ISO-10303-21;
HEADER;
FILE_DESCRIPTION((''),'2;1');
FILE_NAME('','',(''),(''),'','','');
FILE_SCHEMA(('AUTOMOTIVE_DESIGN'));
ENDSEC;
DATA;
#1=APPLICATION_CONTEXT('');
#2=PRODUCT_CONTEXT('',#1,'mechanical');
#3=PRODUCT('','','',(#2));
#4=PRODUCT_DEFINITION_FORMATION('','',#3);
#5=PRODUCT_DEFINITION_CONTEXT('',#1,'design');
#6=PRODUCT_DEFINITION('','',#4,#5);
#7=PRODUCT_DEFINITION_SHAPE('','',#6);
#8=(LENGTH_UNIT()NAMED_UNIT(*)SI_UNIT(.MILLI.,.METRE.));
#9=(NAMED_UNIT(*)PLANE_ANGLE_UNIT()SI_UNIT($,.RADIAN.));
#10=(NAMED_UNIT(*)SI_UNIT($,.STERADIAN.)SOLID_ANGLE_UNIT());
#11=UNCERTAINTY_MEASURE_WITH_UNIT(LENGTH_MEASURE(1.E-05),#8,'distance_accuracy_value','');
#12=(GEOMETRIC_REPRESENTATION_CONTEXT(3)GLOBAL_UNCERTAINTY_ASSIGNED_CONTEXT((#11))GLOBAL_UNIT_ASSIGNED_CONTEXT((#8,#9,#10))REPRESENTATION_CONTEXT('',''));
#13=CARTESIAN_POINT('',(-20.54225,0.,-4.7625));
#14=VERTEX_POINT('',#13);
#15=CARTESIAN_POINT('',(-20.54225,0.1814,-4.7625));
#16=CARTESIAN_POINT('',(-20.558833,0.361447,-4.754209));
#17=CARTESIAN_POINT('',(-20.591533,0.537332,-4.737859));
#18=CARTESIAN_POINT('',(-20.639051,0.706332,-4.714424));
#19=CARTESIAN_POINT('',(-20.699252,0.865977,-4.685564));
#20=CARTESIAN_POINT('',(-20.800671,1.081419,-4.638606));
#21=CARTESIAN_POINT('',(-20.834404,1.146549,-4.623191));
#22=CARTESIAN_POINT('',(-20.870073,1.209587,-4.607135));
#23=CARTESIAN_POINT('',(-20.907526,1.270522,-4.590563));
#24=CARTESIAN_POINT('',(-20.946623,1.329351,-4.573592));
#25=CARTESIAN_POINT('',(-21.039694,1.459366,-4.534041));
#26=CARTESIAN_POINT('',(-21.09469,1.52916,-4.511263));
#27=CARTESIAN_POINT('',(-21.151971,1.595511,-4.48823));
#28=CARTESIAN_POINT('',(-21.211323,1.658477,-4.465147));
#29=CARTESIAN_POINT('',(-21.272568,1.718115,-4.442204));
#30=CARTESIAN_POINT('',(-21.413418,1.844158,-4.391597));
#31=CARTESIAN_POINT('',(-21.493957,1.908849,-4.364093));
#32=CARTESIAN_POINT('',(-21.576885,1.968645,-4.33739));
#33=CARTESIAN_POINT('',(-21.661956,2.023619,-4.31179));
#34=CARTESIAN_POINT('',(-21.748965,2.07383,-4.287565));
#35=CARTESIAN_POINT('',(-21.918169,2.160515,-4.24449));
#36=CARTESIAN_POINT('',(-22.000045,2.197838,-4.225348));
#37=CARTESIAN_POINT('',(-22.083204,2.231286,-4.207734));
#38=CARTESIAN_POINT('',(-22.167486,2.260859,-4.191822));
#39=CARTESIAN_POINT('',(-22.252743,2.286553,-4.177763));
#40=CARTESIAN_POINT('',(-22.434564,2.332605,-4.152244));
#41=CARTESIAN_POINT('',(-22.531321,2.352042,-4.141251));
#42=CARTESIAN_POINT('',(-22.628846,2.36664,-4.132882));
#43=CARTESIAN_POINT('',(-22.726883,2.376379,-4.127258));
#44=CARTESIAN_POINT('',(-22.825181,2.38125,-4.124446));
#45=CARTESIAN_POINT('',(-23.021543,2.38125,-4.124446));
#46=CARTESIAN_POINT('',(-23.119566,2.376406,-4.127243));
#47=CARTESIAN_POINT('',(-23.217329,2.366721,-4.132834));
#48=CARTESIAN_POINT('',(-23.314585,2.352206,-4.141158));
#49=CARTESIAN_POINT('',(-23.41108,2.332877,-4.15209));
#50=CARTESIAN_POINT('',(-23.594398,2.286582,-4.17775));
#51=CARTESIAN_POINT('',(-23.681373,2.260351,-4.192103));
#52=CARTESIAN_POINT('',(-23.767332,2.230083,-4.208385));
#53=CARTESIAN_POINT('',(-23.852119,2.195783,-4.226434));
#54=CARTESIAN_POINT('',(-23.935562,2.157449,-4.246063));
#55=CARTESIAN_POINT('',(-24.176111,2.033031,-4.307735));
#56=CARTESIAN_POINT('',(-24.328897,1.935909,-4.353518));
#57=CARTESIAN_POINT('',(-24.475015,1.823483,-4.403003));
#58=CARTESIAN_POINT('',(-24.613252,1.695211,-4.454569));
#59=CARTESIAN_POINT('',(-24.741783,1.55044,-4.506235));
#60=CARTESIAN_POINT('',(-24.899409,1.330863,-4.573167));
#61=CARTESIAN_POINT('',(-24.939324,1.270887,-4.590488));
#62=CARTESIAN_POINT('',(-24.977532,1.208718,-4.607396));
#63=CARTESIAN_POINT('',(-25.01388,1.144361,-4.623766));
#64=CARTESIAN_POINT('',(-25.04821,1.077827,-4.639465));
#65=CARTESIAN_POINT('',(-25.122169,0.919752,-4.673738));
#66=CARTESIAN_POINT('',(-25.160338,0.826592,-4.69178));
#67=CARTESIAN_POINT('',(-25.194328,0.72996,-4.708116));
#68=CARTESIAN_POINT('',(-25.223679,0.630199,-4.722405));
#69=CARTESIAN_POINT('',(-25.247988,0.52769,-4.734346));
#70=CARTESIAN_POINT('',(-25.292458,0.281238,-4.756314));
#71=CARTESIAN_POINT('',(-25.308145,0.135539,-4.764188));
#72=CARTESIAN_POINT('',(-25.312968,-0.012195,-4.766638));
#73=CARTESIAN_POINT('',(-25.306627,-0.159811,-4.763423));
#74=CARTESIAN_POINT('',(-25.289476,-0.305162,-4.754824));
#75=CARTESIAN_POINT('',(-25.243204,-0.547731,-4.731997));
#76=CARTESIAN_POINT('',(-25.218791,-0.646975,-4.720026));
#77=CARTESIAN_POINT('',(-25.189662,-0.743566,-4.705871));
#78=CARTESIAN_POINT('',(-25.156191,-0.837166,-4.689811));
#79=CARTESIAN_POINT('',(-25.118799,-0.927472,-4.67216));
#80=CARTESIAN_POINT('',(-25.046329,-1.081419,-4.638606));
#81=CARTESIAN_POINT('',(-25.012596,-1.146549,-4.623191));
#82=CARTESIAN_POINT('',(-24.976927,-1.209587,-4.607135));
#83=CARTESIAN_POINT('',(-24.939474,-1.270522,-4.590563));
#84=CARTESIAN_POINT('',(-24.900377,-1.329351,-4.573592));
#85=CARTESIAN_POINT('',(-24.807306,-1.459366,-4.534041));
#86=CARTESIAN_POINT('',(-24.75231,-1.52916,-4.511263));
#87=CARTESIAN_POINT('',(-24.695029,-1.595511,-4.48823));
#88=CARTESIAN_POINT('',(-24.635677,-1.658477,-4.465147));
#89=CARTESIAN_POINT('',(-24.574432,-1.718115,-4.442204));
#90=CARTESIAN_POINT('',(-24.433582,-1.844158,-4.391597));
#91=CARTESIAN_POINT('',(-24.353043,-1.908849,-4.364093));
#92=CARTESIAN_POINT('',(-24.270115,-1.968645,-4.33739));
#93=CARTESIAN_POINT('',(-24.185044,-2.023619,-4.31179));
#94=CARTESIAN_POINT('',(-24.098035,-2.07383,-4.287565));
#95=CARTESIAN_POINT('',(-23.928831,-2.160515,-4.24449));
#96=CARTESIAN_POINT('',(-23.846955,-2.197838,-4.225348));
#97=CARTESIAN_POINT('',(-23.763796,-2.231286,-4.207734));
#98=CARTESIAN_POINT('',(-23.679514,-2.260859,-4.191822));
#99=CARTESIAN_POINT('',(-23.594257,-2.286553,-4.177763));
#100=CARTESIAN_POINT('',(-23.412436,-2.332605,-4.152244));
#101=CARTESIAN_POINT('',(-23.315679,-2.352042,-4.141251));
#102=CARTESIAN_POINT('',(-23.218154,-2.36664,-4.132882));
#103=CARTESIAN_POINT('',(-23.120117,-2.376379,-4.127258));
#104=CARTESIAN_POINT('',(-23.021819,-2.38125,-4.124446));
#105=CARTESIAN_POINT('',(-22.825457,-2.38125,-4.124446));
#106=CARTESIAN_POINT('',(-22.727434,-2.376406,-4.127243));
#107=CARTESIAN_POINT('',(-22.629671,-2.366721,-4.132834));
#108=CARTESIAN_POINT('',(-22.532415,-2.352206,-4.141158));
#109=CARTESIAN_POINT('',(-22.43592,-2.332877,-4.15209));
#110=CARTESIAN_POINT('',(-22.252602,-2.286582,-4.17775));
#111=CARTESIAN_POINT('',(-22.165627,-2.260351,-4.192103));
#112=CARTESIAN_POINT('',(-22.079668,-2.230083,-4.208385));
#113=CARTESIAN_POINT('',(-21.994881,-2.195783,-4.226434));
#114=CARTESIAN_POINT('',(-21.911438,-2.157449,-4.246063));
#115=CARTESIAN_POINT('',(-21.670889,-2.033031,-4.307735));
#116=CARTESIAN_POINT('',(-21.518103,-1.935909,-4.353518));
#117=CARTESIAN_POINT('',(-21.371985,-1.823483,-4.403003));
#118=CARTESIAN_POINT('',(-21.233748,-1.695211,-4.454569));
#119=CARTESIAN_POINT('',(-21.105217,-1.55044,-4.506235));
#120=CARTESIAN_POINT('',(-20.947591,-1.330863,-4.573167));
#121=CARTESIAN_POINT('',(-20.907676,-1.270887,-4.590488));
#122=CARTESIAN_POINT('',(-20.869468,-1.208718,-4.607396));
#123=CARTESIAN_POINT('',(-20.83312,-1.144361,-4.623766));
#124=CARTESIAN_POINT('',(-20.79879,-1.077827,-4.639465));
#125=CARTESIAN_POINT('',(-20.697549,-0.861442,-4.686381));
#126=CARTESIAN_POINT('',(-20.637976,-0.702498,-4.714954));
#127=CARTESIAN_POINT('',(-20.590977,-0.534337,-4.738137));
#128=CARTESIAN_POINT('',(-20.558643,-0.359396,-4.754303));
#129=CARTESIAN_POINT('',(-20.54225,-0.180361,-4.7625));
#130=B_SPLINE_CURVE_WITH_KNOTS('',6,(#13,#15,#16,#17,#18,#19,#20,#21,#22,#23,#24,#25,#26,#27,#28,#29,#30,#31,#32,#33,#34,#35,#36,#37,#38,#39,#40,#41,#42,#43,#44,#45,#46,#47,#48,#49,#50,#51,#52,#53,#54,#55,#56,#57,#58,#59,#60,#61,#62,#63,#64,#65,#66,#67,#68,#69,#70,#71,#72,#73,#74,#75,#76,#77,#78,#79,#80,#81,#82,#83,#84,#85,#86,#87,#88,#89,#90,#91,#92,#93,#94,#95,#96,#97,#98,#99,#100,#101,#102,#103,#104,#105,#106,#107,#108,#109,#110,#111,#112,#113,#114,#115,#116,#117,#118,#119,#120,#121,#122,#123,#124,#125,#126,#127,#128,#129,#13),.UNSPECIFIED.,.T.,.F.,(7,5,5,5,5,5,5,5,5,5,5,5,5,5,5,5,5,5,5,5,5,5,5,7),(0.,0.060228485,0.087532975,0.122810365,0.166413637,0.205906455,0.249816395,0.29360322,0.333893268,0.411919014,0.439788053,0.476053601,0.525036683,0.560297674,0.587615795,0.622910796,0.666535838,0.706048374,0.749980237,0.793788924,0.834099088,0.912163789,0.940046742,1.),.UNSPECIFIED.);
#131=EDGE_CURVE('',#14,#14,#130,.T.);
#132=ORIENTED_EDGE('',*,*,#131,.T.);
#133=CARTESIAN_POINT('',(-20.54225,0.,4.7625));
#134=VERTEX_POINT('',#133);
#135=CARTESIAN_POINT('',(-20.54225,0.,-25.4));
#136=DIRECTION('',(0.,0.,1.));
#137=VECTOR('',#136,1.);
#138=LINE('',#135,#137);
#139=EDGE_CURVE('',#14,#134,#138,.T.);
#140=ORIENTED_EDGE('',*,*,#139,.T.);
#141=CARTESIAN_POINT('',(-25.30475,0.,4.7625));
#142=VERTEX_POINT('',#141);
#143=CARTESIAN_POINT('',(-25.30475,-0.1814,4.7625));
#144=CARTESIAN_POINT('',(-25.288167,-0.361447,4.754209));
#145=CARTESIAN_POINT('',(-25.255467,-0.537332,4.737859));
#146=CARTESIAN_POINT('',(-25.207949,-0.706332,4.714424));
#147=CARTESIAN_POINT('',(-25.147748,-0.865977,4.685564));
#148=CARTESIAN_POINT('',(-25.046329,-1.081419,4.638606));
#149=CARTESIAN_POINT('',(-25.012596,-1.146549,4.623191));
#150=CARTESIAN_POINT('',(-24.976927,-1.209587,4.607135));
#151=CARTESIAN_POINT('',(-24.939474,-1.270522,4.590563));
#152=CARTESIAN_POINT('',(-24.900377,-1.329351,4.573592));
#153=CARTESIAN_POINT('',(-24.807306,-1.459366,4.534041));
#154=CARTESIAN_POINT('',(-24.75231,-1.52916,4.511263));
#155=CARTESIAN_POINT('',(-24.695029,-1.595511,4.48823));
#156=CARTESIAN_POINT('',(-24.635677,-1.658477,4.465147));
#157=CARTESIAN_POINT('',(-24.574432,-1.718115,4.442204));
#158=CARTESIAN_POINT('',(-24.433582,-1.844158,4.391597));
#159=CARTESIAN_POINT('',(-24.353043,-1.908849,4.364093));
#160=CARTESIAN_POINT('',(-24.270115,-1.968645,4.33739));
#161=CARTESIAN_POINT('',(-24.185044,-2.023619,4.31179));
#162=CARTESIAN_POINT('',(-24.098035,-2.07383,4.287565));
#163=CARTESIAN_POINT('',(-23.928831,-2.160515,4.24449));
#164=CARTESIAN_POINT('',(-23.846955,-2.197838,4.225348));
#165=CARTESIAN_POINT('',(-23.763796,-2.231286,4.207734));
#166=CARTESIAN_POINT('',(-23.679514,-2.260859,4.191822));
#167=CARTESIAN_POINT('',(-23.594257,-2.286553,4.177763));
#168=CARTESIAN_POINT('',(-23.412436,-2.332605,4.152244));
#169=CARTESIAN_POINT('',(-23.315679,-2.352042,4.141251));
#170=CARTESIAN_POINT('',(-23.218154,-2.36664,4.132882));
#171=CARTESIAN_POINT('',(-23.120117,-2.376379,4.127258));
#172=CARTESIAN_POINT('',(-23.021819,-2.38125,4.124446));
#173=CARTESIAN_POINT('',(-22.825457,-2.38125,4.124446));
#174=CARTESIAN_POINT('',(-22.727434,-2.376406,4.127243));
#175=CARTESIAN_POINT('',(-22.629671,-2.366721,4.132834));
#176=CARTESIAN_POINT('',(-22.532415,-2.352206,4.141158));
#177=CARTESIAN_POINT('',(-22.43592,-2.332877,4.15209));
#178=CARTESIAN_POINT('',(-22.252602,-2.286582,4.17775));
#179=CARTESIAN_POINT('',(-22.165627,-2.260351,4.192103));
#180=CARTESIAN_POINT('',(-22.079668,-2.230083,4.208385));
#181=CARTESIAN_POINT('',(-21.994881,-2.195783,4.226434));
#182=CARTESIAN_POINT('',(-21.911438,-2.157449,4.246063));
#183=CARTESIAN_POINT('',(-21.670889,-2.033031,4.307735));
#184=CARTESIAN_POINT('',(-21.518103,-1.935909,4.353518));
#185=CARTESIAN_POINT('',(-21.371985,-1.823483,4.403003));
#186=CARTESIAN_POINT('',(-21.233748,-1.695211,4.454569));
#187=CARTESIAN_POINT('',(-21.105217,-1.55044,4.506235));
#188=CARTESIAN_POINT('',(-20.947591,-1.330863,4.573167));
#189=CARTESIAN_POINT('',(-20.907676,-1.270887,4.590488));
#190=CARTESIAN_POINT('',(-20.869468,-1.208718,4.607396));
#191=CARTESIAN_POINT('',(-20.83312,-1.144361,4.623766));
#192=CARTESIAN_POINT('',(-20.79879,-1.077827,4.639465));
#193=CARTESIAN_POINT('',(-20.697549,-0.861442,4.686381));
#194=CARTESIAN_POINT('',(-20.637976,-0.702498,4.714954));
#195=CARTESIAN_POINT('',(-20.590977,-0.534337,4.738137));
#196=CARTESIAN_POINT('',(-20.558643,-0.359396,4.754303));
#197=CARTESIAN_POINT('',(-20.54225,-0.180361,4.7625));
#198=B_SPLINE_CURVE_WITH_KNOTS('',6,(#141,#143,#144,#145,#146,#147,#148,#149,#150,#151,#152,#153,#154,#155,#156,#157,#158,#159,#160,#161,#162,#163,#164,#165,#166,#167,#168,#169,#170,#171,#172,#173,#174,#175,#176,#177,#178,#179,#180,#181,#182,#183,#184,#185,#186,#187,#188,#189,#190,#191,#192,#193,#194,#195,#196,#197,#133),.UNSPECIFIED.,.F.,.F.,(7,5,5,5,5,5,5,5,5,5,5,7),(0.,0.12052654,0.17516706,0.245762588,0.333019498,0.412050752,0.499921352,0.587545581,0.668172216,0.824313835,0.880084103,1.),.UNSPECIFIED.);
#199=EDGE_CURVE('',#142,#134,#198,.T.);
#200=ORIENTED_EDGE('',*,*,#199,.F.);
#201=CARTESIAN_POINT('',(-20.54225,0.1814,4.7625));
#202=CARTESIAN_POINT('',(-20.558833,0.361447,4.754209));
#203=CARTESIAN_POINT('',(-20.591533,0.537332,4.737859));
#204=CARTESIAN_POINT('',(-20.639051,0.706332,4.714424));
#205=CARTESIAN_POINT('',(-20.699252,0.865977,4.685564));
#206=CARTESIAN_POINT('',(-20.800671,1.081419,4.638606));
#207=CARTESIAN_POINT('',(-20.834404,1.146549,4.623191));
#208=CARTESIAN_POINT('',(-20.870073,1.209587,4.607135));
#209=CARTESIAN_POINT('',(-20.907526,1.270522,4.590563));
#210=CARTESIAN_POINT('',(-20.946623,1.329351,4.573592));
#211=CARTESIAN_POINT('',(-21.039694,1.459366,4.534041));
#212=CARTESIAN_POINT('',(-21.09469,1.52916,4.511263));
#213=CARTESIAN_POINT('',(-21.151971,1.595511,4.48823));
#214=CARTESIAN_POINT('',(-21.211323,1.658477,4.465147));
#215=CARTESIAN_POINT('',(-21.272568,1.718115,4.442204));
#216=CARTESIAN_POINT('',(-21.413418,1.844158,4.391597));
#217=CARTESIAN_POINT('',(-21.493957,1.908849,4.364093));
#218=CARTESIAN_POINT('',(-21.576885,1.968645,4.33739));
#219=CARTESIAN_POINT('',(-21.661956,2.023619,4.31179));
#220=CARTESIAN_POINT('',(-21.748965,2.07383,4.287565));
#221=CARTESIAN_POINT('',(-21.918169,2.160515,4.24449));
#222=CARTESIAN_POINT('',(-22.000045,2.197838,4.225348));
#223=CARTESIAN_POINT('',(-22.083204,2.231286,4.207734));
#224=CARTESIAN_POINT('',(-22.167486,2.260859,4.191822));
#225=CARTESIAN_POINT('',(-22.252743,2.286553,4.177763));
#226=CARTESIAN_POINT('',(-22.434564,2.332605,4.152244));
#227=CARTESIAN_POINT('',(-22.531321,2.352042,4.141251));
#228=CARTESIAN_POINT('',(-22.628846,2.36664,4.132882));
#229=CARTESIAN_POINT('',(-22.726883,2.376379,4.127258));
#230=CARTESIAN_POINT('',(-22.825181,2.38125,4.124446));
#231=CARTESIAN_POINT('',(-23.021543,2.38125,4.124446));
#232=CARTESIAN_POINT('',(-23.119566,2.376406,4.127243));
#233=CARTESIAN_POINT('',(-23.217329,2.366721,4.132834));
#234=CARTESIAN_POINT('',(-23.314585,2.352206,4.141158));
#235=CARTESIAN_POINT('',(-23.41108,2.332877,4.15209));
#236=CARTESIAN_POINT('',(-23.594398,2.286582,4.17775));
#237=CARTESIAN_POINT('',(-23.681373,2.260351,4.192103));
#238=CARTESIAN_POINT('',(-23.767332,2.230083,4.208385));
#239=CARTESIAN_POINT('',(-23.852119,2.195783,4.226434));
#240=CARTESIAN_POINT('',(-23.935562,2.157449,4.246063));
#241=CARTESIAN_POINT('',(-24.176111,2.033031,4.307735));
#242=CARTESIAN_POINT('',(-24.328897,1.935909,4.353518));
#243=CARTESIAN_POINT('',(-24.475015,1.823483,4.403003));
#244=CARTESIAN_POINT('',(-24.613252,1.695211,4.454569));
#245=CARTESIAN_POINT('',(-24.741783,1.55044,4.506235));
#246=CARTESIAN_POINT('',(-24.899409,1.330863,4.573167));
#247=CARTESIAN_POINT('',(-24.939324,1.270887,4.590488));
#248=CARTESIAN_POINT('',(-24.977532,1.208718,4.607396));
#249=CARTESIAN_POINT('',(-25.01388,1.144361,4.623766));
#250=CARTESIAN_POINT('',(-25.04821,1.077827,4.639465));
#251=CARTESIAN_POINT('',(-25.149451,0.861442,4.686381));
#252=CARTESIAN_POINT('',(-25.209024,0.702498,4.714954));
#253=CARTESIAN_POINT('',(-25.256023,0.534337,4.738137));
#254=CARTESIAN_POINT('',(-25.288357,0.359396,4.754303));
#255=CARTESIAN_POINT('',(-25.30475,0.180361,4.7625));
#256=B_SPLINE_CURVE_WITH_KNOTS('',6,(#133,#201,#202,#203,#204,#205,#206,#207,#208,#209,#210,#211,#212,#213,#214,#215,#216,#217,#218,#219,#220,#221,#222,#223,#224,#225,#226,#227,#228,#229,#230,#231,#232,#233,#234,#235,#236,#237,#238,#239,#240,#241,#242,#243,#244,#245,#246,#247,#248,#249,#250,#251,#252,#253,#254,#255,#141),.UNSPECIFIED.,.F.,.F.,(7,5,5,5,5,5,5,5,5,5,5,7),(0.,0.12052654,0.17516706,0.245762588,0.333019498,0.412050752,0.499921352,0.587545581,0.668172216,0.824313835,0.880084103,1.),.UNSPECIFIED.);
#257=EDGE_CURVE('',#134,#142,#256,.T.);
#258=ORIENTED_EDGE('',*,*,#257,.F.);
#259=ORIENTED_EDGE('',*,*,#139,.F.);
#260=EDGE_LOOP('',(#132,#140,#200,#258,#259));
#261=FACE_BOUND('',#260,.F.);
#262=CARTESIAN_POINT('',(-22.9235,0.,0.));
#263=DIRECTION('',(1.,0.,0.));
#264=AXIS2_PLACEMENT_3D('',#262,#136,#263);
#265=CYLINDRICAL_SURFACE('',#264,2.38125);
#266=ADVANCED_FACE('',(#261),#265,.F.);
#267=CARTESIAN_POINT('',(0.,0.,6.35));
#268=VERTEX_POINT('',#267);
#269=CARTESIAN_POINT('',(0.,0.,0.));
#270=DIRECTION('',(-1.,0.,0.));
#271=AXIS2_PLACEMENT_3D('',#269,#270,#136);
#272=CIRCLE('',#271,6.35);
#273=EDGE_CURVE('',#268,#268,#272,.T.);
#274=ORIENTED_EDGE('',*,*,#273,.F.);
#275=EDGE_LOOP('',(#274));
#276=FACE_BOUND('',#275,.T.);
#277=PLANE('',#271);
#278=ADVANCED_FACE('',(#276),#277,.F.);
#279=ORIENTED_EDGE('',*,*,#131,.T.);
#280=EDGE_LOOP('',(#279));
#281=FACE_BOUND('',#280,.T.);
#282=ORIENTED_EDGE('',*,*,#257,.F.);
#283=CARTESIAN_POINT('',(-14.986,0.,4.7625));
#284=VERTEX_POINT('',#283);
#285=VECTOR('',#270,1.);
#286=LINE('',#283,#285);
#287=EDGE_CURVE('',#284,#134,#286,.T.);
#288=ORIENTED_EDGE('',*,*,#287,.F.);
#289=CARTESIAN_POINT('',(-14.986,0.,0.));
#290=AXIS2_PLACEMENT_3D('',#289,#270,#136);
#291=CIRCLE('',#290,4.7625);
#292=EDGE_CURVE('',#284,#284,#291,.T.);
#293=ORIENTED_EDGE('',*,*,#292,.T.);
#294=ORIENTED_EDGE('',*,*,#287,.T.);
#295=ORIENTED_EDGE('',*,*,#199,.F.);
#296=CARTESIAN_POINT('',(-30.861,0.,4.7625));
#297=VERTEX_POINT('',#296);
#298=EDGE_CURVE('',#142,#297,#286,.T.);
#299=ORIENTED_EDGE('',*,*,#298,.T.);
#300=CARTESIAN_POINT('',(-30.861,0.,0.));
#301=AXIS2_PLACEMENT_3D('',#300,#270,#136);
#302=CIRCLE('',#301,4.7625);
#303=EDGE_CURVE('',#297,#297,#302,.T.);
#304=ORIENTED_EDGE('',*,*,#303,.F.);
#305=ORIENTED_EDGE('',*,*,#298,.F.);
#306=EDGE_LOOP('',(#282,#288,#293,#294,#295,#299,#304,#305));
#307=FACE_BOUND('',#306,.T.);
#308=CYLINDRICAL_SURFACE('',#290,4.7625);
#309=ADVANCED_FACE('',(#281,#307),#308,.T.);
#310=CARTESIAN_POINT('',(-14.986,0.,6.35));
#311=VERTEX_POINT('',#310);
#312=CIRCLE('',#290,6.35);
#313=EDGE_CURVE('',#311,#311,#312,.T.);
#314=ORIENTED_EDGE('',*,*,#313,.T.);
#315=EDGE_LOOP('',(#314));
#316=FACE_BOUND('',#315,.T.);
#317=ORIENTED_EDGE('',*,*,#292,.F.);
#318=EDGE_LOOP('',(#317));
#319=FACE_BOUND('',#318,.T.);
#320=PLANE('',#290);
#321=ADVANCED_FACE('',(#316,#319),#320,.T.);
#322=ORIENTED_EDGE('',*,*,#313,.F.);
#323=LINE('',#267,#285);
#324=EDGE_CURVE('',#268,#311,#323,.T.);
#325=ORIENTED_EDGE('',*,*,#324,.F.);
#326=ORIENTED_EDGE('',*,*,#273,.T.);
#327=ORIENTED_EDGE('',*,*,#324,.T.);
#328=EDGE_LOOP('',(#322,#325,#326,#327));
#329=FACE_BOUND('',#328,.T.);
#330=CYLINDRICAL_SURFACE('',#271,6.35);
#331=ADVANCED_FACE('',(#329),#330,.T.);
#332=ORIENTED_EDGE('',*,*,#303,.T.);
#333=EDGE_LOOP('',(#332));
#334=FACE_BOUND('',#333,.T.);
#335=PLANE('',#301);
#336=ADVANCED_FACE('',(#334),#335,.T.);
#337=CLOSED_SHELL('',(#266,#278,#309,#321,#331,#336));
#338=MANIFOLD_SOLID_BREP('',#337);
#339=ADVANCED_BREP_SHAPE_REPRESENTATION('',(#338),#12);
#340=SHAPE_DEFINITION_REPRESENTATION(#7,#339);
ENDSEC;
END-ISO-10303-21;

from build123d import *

# Parameters (mm, degrees)
F2_R     = 2.38125
F3_DEPTH = 25.4


with BuildPart() as f1:
    # F0 (on Front) → F1 (revolve)
    with BuildSketch(Plane.XZ):
        Polygon((-30.861, 0), (0, 0), (0, 6.35), (-14.986, 6.35), (-14.986, 4.7625), (-30.861, 4.7625), align=None)
    revolve(axis=Axis((-72.969213, 0, 0), (-1, 0, 0)))

    # F2 (on Top) → F3 (cut, symmetric)
    with BuildSketch(Plane.XY):
        with Locations((-22.9235, 0)):
            Circle(F2_R)
    extrude(amount=F3_DEPTH, both=True, mode=Mode.SUBTRACT)


solid = f1.part
